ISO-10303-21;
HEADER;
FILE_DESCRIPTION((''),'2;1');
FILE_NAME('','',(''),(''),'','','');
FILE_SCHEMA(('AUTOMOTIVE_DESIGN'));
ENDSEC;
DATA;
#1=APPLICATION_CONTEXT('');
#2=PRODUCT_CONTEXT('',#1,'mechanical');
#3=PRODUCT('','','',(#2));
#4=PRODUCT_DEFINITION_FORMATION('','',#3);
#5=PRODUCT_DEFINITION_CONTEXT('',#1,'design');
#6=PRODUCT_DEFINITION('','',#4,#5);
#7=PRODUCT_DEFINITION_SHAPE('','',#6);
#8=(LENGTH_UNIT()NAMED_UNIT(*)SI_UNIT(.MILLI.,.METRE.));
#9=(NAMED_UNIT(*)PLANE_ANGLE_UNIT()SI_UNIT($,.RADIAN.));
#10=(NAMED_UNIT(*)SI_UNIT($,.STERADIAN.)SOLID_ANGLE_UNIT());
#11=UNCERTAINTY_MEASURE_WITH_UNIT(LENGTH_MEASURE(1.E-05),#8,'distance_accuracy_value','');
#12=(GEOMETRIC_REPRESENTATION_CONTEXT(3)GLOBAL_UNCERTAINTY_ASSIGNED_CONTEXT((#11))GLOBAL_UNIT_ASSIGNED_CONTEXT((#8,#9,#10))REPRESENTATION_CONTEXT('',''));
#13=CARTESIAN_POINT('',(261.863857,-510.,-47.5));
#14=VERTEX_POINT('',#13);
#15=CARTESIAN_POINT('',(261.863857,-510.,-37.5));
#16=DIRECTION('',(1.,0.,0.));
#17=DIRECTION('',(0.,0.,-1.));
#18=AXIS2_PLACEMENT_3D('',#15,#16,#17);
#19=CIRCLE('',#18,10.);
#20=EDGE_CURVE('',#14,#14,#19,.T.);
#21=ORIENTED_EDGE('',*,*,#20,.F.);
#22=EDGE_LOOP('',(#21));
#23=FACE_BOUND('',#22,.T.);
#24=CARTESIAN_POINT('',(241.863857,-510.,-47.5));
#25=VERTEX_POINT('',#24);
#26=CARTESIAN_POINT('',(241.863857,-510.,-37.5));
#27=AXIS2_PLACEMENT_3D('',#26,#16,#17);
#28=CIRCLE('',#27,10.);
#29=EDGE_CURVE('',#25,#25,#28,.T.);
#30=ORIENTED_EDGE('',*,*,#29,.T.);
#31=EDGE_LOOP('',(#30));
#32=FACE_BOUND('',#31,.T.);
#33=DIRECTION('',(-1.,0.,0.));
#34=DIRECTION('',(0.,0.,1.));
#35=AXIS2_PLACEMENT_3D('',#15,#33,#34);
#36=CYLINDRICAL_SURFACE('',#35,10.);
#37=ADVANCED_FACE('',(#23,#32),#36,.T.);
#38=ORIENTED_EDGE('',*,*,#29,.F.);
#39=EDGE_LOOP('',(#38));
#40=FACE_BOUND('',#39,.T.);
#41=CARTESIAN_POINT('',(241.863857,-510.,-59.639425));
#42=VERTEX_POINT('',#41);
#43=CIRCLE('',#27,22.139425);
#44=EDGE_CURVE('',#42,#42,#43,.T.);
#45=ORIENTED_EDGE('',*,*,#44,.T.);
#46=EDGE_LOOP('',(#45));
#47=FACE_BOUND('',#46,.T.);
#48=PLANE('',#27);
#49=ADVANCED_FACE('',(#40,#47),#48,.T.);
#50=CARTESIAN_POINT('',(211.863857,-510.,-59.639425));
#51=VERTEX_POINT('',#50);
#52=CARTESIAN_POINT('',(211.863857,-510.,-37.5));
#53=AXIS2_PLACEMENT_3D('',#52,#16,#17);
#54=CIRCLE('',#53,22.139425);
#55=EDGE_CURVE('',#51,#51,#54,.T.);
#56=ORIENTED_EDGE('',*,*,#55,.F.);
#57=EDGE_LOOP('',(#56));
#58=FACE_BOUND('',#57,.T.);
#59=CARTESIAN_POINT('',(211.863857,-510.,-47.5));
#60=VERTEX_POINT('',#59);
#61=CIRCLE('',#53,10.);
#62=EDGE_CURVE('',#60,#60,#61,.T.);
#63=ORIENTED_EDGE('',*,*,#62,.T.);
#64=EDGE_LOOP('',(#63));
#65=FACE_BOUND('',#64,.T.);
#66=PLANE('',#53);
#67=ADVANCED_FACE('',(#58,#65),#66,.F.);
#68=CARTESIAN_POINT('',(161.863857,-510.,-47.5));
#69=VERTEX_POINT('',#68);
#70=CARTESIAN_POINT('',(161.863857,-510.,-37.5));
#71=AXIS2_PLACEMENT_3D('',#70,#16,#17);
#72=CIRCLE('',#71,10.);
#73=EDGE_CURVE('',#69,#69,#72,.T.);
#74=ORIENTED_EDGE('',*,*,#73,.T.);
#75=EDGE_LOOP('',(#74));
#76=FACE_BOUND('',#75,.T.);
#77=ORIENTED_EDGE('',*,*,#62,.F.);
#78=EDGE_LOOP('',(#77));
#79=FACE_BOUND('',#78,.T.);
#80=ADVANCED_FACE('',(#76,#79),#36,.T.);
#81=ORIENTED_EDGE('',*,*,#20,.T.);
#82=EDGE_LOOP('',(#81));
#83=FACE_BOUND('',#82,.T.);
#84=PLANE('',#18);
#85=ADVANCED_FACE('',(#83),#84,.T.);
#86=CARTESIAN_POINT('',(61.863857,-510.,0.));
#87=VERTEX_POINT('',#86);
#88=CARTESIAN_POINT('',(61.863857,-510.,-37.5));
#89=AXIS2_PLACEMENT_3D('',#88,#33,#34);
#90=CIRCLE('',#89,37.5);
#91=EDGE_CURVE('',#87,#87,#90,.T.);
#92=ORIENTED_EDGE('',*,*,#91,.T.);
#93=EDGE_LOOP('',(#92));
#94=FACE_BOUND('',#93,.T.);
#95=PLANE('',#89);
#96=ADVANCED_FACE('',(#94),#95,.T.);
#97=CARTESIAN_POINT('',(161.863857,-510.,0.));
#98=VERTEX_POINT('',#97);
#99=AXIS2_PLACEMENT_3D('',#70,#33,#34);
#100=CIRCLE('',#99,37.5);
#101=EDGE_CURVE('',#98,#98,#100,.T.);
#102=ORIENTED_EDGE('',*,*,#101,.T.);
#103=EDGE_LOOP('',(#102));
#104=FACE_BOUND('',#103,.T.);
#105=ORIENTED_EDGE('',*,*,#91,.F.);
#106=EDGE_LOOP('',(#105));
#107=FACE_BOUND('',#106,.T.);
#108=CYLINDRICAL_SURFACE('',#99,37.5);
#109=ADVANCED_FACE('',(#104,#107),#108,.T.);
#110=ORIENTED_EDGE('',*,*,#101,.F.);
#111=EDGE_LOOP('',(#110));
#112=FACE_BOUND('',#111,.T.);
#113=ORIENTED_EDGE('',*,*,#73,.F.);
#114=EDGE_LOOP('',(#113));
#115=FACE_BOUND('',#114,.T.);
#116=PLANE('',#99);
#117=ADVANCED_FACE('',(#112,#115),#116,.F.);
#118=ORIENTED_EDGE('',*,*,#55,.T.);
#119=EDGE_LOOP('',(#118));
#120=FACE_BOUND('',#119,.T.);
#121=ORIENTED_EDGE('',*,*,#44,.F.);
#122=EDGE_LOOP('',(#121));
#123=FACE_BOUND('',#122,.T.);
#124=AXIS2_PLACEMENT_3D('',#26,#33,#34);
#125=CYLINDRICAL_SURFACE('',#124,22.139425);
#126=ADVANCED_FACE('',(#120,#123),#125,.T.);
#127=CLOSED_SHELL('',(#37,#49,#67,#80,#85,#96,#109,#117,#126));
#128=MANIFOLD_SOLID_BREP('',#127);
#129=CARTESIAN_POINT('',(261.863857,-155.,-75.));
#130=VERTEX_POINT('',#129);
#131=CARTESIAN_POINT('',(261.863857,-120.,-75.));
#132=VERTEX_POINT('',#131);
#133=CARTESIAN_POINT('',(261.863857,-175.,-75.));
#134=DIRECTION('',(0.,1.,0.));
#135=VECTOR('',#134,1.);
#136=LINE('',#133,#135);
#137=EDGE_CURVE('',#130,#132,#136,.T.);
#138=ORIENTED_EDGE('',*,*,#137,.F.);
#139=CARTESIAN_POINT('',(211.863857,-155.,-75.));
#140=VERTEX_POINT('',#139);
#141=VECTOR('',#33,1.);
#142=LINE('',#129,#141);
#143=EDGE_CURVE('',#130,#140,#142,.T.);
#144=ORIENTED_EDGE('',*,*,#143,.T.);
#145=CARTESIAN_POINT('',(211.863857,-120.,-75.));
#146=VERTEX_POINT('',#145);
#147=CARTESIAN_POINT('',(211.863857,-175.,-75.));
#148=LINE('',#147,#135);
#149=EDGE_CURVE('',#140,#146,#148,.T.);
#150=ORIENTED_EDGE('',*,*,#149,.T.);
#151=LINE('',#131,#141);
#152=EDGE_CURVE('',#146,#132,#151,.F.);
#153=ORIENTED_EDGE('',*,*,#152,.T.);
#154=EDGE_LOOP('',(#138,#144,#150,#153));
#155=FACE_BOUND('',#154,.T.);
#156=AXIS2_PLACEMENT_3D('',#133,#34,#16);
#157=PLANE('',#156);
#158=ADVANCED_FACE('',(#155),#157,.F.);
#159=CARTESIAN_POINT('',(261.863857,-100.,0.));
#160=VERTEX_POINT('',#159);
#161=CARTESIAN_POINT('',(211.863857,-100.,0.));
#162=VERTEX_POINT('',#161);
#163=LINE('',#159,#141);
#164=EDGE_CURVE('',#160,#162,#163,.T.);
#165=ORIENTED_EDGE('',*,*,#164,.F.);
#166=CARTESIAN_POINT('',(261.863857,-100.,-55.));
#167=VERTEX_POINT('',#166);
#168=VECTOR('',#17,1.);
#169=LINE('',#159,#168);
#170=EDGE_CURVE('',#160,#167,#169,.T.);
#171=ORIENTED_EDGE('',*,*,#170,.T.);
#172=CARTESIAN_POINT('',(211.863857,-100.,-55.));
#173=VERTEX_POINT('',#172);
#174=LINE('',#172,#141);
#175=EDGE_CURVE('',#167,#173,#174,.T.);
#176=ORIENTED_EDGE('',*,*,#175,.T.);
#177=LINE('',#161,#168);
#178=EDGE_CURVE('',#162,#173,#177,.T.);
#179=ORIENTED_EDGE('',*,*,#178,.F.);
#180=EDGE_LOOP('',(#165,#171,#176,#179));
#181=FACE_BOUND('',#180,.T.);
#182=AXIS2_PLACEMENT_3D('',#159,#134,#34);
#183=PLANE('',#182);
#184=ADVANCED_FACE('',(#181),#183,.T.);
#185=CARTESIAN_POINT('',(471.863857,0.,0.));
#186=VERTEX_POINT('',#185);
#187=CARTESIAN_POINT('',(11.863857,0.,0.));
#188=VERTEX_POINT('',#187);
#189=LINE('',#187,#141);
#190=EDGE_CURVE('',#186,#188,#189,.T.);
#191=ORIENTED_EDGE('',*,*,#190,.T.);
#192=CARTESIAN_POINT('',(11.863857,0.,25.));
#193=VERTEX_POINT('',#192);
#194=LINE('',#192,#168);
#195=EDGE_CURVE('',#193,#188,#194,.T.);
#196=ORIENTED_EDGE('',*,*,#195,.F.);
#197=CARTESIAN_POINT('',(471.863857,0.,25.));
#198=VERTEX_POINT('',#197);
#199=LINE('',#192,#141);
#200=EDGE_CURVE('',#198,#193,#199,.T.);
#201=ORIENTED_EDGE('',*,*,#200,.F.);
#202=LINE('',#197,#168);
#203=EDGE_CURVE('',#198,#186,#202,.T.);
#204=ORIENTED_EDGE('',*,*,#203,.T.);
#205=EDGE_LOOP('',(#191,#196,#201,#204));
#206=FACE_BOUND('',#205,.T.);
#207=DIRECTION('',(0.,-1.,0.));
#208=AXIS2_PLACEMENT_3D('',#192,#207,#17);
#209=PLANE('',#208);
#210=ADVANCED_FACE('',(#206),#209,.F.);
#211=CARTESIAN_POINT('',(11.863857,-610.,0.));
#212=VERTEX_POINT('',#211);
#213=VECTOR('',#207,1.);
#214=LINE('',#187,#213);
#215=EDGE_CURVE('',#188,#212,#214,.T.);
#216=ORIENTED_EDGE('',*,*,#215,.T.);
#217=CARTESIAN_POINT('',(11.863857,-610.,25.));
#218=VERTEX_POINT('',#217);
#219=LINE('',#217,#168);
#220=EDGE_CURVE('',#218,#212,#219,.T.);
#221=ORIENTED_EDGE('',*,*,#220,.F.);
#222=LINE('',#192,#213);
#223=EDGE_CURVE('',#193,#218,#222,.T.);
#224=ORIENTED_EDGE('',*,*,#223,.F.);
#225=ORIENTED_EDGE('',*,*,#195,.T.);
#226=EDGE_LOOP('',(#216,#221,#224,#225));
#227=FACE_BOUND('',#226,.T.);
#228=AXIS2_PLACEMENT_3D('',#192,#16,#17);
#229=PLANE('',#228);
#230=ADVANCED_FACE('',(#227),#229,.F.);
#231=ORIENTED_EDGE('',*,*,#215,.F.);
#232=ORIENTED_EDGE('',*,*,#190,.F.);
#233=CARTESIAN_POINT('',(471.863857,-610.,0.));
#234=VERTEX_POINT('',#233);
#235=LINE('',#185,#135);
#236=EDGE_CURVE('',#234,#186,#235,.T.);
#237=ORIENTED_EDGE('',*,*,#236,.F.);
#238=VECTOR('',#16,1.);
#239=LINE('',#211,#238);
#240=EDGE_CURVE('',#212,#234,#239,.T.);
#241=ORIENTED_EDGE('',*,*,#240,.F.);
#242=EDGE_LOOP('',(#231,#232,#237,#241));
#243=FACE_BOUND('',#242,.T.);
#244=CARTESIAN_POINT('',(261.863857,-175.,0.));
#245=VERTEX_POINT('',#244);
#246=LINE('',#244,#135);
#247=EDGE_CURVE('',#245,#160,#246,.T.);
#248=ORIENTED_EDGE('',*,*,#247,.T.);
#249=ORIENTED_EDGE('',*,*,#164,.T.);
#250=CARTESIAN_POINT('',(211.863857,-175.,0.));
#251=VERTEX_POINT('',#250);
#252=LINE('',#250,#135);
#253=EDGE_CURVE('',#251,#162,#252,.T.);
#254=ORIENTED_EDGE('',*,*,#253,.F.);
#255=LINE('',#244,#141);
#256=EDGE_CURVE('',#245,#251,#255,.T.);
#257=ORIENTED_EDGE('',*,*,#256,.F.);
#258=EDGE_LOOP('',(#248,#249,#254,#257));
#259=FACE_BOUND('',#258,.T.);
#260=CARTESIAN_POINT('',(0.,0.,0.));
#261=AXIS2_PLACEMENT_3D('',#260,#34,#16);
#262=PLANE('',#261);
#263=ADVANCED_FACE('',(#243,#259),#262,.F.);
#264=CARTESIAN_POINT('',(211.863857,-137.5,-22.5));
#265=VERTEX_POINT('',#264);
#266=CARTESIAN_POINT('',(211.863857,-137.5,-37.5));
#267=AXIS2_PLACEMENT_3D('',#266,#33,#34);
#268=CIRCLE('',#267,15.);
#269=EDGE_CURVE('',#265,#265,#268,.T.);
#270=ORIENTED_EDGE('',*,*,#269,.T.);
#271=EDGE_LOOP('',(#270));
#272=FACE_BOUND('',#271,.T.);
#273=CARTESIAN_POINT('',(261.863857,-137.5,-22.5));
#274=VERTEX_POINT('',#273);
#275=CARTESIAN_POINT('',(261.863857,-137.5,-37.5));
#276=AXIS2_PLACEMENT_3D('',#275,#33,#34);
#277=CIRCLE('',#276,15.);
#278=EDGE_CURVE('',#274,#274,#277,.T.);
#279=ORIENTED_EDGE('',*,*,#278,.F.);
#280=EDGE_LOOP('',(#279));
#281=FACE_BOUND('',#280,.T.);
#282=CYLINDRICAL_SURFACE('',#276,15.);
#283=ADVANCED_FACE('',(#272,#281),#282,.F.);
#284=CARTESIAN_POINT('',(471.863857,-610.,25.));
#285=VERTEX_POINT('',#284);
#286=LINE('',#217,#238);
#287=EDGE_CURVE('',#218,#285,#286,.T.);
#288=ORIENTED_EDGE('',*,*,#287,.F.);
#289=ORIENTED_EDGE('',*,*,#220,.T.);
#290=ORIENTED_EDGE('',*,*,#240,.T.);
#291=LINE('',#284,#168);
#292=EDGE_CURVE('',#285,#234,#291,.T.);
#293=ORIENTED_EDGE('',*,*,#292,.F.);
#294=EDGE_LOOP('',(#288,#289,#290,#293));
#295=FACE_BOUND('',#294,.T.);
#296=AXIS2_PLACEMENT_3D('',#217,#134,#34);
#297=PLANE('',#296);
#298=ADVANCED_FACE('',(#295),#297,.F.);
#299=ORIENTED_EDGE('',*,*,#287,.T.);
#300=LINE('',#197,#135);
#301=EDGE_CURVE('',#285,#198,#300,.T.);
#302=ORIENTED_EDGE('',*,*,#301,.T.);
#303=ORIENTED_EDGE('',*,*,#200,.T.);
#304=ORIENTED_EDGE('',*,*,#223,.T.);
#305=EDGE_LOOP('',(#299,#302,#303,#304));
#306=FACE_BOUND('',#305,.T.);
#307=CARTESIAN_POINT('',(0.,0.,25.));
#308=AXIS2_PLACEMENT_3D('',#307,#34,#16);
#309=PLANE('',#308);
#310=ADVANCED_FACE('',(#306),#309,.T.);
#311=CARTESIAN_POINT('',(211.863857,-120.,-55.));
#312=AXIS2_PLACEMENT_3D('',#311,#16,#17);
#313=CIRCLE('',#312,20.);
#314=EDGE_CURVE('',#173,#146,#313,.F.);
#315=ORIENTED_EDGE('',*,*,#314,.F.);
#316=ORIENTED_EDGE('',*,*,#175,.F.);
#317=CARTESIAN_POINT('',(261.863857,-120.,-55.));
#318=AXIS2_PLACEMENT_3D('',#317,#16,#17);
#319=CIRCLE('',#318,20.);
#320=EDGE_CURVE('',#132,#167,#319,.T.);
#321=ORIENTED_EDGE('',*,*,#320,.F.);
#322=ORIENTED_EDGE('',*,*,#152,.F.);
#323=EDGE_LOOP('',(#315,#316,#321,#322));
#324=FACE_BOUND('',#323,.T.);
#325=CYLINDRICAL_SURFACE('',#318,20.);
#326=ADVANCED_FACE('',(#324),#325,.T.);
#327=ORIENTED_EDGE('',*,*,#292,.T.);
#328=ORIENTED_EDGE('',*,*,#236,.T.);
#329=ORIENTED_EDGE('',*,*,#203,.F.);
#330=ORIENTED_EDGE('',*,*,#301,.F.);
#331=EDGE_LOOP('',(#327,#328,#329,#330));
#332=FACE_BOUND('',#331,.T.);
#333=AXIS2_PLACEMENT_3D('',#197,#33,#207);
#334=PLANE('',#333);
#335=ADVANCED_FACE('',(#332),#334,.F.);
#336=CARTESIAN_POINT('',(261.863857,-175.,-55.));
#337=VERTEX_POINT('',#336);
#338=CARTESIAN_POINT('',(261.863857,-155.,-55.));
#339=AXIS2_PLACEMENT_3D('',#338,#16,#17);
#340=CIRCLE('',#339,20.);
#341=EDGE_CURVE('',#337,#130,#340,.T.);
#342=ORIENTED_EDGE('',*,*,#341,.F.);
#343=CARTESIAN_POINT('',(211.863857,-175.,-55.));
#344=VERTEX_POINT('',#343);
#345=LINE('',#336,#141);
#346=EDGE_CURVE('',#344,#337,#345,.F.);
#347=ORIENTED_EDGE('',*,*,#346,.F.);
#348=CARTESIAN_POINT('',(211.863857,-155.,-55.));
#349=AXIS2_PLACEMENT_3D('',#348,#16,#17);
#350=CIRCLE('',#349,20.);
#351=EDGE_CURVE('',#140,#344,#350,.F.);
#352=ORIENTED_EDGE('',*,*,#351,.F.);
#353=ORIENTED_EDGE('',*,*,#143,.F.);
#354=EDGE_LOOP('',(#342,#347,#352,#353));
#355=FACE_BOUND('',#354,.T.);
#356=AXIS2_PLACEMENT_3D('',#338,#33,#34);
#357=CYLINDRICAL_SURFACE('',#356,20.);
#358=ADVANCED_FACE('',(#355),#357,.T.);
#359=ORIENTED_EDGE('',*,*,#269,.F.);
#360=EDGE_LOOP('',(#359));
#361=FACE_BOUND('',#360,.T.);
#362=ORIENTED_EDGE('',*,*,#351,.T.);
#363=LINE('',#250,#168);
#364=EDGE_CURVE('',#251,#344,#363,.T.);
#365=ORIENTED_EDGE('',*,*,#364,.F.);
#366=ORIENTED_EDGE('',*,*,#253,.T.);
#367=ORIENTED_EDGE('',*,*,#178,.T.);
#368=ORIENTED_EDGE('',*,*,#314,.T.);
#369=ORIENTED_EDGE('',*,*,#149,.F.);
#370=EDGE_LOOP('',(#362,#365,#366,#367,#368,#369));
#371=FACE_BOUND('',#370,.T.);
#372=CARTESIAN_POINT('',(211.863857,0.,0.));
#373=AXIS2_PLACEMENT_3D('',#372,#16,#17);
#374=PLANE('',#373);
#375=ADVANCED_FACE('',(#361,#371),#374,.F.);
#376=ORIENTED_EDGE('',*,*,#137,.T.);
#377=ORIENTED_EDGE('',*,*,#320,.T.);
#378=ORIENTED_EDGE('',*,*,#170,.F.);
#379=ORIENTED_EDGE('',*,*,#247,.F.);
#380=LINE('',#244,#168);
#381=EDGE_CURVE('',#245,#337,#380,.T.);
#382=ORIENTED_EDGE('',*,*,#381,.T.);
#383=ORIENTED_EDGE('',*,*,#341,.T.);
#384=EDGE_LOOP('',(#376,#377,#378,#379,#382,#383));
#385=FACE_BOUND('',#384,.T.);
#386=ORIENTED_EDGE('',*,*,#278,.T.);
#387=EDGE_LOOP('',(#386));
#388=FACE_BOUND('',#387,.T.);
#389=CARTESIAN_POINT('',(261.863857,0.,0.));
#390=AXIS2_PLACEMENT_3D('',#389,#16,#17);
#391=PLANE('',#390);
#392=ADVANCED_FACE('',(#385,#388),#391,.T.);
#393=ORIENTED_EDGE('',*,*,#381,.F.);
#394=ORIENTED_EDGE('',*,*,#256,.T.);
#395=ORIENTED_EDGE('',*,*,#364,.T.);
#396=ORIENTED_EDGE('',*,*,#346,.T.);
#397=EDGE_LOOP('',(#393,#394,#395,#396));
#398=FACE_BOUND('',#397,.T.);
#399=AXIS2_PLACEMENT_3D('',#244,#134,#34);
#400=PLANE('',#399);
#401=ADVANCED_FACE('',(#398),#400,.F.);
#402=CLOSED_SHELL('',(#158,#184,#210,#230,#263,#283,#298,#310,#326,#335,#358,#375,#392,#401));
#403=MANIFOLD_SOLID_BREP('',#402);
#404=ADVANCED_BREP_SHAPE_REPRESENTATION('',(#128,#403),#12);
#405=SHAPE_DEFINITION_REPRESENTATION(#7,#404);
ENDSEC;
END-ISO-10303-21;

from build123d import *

# Parameters (mm, degrees)
SKETCH1_W           = 460
SKETCH1_H           = 610
BOSS_EXTRUDE1_DEPTH = 25
BOSS_EXTRUDE2_START = -50
SKETCH2_R           = 37.5
BOSS_EXTRUDE2_DEPTH = 100
SKETCH3_R           = 10
BOSS_EXTRUDE3_DEPTH = 100
BOSS_EXTRUDE4_START = -50
SKETCH4_R           = 22.139424637
BOSS_EXTRUDE4_DEPTH = 30
BOSS_EXTRUDE5_START = -200
SKETCH5_W           = 75
SKETCH5_H           = 75
SKETCH5_R           = 15
BOSS_EXTRUDE5_DEPTH = 50
FILLET1_R           = 20


with BuildPart() as part:
    # Sketch1 → Boss-Extrude1 (new body)
    with BuildSketch(Plane.XY):
        with Locations((241.863857374, -305)):
            Rectangle(SKETCH1_W, SKETCH1_H)
    extrude(amount=BOSS_EXTRUDE1_DEPTH)

    # Sketch5 → Boss-Extrude5 (add)
    with BuildSketch(Plane.ZY.offset(-11.863857374).offset(BOSS_EXTRUDE5_START)):
        with Locations((-37.5, -137.5)):
            Rectangle(SKETCH5_W, SKETCH5_H)
        with Locations((-37.5, -137.5)):
            Circle(SKETCH5_R, mode=Mode.SUBTRACT)
    extrude(amount=-BOSS_EXTRUDE5_DEPTH)

    # Fillet1
    fillet1_edges = [part.edges().sort_by_distance(p)[0] for p in [
        (236.863857374, -100, -75),
        (236.863857374, -175, -75),
    ]]
    fillet(fillet1_edges, radius=FILLET1_R)


with BuildPart() as body_2:
    # Sketch2 → Boss-Extrude2 (new body)
    with BuildSketch(Plane.ZY.offset(-11.863857374).offset(BOSS_EXTRUDE2_START)):
        with Locations((-37.5, -510)):
            Circle(SKETCH2_R)
    extrude(amount=-BOSS_EXTRUDE2_DEPTH)

    # Sketch3 → Boss-Extrude3 (add)
    with BuildSketch(Plane(origin=(161.863857374, 0, 0), x_dir=(0, 0, -1), z_dir=(1, 0, 0))):
        with Locations((37.5, -510)):
            Circle(SKETCH3_R)
    extrude(amount=BOSS_EXTRUDE3_DEPTH)

    # Sketch4 → Boss-Extrude4 (add)
    with BuildSketch(Plane(origin=(261.863857374, 0, 0), x_dir=(0, 0, -1), z_dir=(1, 0, 0)).offset(BOSS_EXTRUDE4_START)):
        with Locations((37.5, -510)):
            Circle(SKETCH4_R)
    extrude(amount=BOSS_EXTRUDE4_DEPTH)


solid = Compound([part.part, body_2.part])
